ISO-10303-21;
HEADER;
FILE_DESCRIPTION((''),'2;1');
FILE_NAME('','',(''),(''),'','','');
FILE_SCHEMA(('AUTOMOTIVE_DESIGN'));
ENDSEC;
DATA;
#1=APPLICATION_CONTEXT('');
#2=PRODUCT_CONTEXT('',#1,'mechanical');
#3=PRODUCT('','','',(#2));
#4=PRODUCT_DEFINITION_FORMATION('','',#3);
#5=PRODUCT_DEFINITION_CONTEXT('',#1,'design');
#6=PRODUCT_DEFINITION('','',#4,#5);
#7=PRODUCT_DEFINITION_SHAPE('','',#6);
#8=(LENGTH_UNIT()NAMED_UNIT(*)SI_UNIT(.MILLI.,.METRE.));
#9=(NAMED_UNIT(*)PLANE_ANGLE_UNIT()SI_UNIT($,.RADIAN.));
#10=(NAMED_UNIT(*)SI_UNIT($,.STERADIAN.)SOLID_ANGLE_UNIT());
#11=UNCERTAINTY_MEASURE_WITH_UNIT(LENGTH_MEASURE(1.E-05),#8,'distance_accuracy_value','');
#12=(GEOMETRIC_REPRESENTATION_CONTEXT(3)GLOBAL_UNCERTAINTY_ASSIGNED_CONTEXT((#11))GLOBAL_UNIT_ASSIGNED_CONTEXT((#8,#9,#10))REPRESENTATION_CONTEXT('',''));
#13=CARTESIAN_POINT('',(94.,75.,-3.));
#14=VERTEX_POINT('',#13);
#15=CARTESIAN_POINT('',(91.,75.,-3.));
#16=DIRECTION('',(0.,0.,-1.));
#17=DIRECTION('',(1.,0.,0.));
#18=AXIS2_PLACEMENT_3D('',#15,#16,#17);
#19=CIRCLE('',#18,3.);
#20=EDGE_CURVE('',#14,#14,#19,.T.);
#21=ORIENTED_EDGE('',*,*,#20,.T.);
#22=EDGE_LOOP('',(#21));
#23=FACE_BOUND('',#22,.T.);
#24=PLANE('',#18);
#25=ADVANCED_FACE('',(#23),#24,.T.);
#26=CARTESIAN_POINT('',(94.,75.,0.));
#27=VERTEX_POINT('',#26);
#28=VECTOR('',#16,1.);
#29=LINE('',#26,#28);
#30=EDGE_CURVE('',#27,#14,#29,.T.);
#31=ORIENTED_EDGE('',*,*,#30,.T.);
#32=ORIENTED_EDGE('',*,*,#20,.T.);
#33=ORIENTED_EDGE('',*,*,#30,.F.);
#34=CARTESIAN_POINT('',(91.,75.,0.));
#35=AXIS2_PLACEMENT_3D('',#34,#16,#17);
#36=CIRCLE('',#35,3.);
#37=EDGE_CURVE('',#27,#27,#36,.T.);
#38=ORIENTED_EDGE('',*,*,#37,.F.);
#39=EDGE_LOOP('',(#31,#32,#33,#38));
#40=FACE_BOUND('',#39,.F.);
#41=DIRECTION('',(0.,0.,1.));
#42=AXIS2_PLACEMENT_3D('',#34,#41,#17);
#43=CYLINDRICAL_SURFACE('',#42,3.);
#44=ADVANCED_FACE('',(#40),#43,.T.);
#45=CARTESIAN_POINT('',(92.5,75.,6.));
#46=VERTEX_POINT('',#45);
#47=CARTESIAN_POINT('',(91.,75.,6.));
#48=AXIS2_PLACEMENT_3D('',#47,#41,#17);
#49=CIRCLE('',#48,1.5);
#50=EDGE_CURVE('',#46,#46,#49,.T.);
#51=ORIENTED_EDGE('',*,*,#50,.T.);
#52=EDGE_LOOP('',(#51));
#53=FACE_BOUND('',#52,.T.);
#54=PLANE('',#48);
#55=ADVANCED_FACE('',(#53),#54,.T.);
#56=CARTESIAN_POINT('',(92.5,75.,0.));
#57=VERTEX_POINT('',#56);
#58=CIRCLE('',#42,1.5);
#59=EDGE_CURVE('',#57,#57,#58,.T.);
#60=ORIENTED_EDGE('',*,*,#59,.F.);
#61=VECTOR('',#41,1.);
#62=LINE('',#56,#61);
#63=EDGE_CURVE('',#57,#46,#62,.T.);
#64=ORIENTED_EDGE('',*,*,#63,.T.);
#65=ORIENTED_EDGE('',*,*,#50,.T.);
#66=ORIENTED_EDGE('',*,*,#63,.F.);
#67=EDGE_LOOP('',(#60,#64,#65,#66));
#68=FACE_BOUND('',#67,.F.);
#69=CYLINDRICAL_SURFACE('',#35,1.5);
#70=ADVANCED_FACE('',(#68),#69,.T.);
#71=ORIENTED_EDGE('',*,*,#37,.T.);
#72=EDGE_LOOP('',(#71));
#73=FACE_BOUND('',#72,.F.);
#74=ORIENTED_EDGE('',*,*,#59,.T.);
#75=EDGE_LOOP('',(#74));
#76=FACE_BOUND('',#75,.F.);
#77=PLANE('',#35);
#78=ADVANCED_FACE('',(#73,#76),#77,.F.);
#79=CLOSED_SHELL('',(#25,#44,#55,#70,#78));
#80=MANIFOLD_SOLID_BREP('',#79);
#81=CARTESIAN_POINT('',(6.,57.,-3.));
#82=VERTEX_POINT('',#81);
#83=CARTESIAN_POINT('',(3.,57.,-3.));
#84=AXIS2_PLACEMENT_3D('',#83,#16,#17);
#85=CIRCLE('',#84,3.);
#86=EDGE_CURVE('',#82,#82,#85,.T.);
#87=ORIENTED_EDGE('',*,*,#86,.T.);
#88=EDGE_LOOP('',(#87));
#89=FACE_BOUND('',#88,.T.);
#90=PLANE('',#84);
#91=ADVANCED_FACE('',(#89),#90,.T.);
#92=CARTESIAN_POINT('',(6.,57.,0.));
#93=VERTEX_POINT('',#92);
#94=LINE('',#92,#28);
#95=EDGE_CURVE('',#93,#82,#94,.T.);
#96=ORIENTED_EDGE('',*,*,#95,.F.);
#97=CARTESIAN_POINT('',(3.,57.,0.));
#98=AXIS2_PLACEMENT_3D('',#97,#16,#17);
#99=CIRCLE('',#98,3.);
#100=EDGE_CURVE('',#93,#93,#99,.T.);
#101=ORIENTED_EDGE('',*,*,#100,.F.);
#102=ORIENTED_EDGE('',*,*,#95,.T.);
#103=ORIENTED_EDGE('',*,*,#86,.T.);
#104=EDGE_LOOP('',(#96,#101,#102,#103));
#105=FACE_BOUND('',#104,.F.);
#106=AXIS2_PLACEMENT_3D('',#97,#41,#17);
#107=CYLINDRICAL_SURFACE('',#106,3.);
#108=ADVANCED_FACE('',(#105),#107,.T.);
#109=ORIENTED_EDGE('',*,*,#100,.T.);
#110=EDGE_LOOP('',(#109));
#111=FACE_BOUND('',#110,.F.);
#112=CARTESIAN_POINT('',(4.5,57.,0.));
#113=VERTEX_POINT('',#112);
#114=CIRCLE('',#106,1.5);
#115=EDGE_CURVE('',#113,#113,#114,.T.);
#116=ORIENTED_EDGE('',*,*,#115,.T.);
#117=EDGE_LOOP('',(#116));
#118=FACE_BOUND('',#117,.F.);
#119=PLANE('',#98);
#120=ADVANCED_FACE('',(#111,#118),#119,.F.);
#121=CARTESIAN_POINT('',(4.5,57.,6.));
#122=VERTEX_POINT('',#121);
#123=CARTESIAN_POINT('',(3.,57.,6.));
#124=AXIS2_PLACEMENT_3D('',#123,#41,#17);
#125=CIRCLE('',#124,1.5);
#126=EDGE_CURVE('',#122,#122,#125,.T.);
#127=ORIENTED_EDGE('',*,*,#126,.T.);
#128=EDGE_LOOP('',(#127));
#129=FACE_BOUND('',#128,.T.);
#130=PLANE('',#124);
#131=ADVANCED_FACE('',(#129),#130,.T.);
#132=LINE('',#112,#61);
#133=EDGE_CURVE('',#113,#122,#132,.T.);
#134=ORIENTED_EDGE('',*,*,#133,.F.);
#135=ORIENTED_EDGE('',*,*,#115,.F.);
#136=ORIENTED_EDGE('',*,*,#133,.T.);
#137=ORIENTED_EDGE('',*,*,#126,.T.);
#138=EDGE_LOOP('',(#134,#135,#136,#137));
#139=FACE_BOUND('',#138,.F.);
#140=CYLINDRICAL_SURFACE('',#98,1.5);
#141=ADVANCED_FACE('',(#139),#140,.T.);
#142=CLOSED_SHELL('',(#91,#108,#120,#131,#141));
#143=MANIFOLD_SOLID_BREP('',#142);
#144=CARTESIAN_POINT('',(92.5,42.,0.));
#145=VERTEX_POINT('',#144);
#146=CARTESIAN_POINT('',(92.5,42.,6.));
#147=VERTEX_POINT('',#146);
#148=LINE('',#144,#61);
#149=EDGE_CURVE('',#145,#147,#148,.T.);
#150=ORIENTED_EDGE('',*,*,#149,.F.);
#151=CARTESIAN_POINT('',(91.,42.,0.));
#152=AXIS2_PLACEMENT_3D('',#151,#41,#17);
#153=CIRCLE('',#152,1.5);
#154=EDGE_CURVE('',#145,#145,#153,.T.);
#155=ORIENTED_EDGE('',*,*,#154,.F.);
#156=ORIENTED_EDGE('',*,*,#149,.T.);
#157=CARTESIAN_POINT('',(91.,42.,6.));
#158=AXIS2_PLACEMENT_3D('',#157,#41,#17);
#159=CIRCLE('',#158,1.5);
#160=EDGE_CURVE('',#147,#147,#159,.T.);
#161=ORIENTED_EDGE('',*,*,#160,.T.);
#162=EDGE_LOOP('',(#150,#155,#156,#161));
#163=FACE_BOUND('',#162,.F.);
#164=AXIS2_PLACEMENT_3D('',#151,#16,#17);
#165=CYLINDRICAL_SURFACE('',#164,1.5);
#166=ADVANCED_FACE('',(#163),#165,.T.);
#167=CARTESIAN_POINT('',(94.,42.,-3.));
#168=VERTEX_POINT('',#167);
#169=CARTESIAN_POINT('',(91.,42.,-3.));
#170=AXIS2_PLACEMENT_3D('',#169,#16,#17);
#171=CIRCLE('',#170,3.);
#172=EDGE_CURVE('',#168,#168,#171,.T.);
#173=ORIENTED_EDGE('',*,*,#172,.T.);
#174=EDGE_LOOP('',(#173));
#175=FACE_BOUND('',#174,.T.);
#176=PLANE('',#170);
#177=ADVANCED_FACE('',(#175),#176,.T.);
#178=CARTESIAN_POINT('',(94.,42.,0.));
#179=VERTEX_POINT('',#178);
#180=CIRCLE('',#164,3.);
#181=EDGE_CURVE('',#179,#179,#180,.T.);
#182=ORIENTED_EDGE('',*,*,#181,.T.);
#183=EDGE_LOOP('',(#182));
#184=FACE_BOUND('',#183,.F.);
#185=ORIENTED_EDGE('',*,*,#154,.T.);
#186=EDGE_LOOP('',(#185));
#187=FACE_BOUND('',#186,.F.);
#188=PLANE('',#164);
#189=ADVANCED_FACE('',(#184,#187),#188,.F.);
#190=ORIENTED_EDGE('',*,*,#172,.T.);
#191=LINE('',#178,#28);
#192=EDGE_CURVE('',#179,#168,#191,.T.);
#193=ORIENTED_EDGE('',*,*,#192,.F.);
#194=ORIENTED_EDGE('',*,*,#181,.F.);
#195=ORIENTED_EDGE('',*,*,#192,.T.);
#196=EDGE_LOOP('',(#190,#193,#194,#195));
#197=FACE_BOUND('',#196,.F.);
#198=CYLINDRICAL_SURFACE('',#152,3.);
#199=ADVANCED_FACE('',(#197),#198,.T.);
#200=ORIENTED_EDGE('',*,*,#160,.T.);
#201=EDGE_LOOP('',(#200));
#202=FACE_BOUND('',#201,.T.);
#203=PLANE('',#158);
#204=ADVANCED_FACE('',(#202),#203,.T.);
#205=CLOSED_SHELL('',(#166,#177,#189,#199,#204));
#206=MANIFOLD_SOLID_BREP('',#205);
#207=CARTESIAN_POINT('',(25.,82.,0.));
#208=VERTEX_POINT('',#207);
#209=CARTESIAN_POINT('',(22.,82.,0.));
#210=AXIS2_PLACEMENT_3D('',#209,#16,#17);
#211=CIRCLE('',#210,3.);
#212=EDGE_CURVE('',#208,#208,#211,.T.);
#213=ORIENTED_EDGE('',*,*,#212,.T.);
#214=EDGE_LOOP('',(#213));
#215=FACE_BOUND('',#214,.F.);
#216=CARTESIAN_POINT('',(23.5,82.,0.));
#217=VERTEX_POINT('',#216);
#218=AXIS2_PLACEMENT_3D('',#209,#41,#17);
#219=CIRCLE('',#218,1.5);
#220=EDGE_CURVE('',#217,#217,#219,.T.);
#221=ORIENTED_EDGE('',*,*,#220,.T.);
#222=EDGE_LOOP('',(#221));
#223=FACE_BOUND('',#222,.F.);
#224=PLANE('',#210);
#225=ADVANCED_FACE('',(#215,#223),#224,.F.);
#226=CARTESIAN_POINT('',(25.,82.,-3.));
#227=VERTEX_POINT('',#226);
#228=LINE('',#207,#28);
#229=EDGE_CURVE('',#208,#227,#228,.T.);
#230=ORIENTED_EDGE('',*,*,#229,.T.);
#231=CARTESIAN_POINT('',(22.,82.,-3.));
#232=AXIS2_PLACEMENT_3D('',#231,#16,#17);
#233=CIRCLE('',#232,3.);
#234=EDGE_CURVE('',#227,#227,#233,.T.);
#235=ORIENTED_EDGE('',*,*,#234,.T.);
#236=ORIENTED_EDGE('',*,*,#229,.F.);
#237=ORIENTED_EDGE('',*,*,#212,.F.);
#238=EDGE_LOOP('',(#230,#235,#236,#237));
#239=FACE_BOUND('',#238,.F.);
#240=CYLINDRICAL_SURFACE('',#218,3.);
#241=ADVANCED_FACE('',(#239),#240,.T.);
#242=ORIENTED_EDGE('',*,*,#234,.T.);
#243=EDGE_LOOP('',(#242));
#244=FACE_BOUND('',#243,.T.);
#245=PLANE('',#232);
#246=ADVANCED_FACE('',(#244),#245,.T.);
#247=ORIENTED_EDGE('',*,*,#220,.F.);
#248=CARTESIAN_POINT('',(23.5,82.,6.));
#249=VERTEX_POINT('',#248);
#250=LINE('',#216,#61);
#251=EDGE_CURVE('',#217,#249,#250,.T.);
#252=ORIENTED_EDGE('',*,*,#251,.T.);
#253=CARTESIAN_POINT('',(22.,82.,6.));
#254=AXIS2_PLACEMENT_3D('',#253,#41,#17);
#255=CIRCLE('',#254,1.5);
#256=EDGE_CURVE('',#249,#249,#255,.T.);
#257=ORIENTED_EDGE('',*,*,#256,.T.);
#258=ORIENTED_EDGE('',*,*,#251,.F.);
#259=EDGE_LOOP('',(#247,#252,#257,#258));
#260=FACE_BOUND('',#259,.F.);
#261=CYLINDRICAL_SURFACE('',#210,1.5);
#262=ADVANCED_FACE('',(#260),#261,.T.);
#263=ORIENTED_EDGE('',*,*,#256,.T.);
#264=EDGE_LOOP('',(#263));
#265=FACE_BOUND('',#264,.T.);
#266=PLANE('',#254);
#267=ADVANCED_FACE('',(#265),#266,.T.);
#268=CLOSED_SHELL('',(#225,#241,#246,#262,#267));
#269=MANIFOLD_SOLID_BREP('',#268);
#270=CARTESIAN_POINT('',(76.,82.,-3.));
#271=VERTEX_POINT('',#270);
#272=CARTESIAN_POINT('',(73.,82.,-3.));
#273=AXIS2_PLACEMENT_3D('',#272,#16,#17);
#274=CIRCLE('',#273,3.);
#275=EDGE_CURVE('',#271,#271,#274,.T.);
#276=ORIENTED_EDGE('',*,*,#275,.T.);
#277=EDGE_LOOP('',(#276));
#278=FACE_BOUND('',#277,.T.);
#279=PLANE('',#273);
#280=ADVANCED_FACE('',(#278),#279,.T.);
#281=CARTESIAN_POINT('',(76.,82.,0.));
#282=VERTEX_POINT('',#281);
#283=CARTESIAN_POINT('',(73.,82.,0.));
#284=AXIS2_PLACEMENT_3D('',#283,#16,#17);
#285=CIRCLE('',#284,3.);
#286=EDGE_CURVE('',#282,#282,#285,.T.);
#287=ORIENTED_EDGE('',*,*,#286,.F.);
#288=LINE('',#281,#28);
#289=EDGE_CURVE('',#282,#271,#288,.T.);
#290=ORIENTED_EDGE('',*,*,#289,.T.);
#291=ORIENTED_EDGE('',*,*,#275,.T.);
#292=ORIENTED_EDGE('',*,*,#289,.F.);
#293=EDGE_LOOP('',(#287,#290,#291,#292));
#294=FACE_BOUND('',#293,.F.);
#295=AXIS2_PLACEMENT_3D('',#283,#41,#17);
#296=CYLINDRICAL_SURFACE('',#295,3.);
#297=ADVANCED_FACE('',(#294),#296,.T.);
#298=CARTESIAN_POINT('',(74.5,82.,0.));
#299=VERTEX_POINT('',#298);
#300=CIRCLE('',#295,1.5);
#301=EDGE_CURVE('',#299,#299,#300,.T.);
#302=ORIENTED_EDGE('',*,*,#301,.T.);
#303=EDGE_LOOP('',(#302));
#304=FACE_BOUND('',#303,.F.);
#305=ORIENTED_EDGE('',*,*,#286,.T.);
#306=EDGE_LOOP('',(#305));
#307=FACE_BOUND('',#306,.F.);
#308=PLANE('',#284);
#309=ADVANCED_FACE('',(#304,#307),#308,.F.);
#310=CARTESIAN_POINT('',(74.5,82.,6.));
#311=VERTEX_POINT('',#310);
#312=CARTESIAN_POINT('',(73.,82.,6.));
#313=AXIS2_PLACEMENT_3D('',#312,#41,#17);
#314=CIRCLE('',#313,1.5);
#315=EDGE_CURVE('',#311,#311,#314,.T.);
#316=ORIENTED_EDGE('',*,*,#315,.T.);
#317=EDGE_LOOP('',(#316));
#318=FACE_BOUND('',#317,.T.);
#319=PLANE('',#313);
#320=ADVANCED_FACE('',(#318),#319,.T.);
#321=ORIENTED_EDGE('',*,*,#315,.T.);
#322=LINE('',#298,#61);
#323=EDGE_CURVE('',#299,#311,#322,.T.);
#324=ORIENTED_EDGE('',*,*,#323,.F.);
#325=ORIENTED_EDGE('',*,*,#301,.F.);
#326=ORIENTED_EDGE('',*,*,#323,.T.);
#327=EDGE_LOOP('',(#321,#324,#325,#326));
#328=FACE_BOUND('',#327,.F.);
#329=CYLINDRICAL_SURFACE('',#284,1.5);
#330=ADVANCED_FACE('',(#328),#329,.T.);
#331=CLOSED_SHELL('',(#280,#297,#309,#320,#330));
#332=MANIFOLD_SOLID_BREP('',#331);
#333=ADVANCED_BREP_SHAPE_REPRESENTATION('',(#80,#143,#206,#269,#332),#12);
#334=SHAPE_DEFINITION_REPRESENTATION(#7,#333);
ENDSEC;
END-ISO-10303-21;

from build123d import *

# Parameters (mm, degrees)
SKETCH011_R             = 1.5
EXTRUDE_SKETCH011_DEPTH = 6
SKETCH010_R             = 3
EXTRUDE_SKETCH010_DEPTH = 3


with BuildPart() as sketch011_extrude:
    # Sketch011 → Extrude_Sketch011 (new body)
    with BuildSketch(Plane.XY):
        with Locations((3, 57)):
            Circle(SKETCH011_R)
        with Locations((22, 82)):
            Circle(SKETCH011_R)
        with Locations((73, 82)):
            Circle(SKETCH011_R)
        with Locations((91, 75)):
            Circle(SKETCH011_R)
        with Locations((91, 42)):
            Circle(SKETCH011_R)
    extrude(amount=EXTRUDE_SKETCH011_DEPTH)


with BuildPart() as m3_6mmscrews:
    # Sketch010 → Extrude_Sketch010 (new body)
    with BuildSketch(Plane(origin=(0, 0, 0), x_dir=(1, 0, 0), z_dir=(0, 0, -1))):
        with Locations((3, -57)):
            Circle(SKETCH010_R)
        with Locations((91, -42)):
            Circle(SKETCH010_R)
        with Locations((91, -75)):
            Circle(SKETCH010_R)
        with Locations((73, -82)):
            Circle(SKETCH010_R)
        with Locations((22, -82)):
            Circle(SKETCH010_R)
    extrude(amount=EXTRUDE_SKETCH010_DEPTH)

    # Fusion001003: union Sketch011_Extrude
    add(sketch011_extrude.part)


solid = m3_6mmscrews.part
